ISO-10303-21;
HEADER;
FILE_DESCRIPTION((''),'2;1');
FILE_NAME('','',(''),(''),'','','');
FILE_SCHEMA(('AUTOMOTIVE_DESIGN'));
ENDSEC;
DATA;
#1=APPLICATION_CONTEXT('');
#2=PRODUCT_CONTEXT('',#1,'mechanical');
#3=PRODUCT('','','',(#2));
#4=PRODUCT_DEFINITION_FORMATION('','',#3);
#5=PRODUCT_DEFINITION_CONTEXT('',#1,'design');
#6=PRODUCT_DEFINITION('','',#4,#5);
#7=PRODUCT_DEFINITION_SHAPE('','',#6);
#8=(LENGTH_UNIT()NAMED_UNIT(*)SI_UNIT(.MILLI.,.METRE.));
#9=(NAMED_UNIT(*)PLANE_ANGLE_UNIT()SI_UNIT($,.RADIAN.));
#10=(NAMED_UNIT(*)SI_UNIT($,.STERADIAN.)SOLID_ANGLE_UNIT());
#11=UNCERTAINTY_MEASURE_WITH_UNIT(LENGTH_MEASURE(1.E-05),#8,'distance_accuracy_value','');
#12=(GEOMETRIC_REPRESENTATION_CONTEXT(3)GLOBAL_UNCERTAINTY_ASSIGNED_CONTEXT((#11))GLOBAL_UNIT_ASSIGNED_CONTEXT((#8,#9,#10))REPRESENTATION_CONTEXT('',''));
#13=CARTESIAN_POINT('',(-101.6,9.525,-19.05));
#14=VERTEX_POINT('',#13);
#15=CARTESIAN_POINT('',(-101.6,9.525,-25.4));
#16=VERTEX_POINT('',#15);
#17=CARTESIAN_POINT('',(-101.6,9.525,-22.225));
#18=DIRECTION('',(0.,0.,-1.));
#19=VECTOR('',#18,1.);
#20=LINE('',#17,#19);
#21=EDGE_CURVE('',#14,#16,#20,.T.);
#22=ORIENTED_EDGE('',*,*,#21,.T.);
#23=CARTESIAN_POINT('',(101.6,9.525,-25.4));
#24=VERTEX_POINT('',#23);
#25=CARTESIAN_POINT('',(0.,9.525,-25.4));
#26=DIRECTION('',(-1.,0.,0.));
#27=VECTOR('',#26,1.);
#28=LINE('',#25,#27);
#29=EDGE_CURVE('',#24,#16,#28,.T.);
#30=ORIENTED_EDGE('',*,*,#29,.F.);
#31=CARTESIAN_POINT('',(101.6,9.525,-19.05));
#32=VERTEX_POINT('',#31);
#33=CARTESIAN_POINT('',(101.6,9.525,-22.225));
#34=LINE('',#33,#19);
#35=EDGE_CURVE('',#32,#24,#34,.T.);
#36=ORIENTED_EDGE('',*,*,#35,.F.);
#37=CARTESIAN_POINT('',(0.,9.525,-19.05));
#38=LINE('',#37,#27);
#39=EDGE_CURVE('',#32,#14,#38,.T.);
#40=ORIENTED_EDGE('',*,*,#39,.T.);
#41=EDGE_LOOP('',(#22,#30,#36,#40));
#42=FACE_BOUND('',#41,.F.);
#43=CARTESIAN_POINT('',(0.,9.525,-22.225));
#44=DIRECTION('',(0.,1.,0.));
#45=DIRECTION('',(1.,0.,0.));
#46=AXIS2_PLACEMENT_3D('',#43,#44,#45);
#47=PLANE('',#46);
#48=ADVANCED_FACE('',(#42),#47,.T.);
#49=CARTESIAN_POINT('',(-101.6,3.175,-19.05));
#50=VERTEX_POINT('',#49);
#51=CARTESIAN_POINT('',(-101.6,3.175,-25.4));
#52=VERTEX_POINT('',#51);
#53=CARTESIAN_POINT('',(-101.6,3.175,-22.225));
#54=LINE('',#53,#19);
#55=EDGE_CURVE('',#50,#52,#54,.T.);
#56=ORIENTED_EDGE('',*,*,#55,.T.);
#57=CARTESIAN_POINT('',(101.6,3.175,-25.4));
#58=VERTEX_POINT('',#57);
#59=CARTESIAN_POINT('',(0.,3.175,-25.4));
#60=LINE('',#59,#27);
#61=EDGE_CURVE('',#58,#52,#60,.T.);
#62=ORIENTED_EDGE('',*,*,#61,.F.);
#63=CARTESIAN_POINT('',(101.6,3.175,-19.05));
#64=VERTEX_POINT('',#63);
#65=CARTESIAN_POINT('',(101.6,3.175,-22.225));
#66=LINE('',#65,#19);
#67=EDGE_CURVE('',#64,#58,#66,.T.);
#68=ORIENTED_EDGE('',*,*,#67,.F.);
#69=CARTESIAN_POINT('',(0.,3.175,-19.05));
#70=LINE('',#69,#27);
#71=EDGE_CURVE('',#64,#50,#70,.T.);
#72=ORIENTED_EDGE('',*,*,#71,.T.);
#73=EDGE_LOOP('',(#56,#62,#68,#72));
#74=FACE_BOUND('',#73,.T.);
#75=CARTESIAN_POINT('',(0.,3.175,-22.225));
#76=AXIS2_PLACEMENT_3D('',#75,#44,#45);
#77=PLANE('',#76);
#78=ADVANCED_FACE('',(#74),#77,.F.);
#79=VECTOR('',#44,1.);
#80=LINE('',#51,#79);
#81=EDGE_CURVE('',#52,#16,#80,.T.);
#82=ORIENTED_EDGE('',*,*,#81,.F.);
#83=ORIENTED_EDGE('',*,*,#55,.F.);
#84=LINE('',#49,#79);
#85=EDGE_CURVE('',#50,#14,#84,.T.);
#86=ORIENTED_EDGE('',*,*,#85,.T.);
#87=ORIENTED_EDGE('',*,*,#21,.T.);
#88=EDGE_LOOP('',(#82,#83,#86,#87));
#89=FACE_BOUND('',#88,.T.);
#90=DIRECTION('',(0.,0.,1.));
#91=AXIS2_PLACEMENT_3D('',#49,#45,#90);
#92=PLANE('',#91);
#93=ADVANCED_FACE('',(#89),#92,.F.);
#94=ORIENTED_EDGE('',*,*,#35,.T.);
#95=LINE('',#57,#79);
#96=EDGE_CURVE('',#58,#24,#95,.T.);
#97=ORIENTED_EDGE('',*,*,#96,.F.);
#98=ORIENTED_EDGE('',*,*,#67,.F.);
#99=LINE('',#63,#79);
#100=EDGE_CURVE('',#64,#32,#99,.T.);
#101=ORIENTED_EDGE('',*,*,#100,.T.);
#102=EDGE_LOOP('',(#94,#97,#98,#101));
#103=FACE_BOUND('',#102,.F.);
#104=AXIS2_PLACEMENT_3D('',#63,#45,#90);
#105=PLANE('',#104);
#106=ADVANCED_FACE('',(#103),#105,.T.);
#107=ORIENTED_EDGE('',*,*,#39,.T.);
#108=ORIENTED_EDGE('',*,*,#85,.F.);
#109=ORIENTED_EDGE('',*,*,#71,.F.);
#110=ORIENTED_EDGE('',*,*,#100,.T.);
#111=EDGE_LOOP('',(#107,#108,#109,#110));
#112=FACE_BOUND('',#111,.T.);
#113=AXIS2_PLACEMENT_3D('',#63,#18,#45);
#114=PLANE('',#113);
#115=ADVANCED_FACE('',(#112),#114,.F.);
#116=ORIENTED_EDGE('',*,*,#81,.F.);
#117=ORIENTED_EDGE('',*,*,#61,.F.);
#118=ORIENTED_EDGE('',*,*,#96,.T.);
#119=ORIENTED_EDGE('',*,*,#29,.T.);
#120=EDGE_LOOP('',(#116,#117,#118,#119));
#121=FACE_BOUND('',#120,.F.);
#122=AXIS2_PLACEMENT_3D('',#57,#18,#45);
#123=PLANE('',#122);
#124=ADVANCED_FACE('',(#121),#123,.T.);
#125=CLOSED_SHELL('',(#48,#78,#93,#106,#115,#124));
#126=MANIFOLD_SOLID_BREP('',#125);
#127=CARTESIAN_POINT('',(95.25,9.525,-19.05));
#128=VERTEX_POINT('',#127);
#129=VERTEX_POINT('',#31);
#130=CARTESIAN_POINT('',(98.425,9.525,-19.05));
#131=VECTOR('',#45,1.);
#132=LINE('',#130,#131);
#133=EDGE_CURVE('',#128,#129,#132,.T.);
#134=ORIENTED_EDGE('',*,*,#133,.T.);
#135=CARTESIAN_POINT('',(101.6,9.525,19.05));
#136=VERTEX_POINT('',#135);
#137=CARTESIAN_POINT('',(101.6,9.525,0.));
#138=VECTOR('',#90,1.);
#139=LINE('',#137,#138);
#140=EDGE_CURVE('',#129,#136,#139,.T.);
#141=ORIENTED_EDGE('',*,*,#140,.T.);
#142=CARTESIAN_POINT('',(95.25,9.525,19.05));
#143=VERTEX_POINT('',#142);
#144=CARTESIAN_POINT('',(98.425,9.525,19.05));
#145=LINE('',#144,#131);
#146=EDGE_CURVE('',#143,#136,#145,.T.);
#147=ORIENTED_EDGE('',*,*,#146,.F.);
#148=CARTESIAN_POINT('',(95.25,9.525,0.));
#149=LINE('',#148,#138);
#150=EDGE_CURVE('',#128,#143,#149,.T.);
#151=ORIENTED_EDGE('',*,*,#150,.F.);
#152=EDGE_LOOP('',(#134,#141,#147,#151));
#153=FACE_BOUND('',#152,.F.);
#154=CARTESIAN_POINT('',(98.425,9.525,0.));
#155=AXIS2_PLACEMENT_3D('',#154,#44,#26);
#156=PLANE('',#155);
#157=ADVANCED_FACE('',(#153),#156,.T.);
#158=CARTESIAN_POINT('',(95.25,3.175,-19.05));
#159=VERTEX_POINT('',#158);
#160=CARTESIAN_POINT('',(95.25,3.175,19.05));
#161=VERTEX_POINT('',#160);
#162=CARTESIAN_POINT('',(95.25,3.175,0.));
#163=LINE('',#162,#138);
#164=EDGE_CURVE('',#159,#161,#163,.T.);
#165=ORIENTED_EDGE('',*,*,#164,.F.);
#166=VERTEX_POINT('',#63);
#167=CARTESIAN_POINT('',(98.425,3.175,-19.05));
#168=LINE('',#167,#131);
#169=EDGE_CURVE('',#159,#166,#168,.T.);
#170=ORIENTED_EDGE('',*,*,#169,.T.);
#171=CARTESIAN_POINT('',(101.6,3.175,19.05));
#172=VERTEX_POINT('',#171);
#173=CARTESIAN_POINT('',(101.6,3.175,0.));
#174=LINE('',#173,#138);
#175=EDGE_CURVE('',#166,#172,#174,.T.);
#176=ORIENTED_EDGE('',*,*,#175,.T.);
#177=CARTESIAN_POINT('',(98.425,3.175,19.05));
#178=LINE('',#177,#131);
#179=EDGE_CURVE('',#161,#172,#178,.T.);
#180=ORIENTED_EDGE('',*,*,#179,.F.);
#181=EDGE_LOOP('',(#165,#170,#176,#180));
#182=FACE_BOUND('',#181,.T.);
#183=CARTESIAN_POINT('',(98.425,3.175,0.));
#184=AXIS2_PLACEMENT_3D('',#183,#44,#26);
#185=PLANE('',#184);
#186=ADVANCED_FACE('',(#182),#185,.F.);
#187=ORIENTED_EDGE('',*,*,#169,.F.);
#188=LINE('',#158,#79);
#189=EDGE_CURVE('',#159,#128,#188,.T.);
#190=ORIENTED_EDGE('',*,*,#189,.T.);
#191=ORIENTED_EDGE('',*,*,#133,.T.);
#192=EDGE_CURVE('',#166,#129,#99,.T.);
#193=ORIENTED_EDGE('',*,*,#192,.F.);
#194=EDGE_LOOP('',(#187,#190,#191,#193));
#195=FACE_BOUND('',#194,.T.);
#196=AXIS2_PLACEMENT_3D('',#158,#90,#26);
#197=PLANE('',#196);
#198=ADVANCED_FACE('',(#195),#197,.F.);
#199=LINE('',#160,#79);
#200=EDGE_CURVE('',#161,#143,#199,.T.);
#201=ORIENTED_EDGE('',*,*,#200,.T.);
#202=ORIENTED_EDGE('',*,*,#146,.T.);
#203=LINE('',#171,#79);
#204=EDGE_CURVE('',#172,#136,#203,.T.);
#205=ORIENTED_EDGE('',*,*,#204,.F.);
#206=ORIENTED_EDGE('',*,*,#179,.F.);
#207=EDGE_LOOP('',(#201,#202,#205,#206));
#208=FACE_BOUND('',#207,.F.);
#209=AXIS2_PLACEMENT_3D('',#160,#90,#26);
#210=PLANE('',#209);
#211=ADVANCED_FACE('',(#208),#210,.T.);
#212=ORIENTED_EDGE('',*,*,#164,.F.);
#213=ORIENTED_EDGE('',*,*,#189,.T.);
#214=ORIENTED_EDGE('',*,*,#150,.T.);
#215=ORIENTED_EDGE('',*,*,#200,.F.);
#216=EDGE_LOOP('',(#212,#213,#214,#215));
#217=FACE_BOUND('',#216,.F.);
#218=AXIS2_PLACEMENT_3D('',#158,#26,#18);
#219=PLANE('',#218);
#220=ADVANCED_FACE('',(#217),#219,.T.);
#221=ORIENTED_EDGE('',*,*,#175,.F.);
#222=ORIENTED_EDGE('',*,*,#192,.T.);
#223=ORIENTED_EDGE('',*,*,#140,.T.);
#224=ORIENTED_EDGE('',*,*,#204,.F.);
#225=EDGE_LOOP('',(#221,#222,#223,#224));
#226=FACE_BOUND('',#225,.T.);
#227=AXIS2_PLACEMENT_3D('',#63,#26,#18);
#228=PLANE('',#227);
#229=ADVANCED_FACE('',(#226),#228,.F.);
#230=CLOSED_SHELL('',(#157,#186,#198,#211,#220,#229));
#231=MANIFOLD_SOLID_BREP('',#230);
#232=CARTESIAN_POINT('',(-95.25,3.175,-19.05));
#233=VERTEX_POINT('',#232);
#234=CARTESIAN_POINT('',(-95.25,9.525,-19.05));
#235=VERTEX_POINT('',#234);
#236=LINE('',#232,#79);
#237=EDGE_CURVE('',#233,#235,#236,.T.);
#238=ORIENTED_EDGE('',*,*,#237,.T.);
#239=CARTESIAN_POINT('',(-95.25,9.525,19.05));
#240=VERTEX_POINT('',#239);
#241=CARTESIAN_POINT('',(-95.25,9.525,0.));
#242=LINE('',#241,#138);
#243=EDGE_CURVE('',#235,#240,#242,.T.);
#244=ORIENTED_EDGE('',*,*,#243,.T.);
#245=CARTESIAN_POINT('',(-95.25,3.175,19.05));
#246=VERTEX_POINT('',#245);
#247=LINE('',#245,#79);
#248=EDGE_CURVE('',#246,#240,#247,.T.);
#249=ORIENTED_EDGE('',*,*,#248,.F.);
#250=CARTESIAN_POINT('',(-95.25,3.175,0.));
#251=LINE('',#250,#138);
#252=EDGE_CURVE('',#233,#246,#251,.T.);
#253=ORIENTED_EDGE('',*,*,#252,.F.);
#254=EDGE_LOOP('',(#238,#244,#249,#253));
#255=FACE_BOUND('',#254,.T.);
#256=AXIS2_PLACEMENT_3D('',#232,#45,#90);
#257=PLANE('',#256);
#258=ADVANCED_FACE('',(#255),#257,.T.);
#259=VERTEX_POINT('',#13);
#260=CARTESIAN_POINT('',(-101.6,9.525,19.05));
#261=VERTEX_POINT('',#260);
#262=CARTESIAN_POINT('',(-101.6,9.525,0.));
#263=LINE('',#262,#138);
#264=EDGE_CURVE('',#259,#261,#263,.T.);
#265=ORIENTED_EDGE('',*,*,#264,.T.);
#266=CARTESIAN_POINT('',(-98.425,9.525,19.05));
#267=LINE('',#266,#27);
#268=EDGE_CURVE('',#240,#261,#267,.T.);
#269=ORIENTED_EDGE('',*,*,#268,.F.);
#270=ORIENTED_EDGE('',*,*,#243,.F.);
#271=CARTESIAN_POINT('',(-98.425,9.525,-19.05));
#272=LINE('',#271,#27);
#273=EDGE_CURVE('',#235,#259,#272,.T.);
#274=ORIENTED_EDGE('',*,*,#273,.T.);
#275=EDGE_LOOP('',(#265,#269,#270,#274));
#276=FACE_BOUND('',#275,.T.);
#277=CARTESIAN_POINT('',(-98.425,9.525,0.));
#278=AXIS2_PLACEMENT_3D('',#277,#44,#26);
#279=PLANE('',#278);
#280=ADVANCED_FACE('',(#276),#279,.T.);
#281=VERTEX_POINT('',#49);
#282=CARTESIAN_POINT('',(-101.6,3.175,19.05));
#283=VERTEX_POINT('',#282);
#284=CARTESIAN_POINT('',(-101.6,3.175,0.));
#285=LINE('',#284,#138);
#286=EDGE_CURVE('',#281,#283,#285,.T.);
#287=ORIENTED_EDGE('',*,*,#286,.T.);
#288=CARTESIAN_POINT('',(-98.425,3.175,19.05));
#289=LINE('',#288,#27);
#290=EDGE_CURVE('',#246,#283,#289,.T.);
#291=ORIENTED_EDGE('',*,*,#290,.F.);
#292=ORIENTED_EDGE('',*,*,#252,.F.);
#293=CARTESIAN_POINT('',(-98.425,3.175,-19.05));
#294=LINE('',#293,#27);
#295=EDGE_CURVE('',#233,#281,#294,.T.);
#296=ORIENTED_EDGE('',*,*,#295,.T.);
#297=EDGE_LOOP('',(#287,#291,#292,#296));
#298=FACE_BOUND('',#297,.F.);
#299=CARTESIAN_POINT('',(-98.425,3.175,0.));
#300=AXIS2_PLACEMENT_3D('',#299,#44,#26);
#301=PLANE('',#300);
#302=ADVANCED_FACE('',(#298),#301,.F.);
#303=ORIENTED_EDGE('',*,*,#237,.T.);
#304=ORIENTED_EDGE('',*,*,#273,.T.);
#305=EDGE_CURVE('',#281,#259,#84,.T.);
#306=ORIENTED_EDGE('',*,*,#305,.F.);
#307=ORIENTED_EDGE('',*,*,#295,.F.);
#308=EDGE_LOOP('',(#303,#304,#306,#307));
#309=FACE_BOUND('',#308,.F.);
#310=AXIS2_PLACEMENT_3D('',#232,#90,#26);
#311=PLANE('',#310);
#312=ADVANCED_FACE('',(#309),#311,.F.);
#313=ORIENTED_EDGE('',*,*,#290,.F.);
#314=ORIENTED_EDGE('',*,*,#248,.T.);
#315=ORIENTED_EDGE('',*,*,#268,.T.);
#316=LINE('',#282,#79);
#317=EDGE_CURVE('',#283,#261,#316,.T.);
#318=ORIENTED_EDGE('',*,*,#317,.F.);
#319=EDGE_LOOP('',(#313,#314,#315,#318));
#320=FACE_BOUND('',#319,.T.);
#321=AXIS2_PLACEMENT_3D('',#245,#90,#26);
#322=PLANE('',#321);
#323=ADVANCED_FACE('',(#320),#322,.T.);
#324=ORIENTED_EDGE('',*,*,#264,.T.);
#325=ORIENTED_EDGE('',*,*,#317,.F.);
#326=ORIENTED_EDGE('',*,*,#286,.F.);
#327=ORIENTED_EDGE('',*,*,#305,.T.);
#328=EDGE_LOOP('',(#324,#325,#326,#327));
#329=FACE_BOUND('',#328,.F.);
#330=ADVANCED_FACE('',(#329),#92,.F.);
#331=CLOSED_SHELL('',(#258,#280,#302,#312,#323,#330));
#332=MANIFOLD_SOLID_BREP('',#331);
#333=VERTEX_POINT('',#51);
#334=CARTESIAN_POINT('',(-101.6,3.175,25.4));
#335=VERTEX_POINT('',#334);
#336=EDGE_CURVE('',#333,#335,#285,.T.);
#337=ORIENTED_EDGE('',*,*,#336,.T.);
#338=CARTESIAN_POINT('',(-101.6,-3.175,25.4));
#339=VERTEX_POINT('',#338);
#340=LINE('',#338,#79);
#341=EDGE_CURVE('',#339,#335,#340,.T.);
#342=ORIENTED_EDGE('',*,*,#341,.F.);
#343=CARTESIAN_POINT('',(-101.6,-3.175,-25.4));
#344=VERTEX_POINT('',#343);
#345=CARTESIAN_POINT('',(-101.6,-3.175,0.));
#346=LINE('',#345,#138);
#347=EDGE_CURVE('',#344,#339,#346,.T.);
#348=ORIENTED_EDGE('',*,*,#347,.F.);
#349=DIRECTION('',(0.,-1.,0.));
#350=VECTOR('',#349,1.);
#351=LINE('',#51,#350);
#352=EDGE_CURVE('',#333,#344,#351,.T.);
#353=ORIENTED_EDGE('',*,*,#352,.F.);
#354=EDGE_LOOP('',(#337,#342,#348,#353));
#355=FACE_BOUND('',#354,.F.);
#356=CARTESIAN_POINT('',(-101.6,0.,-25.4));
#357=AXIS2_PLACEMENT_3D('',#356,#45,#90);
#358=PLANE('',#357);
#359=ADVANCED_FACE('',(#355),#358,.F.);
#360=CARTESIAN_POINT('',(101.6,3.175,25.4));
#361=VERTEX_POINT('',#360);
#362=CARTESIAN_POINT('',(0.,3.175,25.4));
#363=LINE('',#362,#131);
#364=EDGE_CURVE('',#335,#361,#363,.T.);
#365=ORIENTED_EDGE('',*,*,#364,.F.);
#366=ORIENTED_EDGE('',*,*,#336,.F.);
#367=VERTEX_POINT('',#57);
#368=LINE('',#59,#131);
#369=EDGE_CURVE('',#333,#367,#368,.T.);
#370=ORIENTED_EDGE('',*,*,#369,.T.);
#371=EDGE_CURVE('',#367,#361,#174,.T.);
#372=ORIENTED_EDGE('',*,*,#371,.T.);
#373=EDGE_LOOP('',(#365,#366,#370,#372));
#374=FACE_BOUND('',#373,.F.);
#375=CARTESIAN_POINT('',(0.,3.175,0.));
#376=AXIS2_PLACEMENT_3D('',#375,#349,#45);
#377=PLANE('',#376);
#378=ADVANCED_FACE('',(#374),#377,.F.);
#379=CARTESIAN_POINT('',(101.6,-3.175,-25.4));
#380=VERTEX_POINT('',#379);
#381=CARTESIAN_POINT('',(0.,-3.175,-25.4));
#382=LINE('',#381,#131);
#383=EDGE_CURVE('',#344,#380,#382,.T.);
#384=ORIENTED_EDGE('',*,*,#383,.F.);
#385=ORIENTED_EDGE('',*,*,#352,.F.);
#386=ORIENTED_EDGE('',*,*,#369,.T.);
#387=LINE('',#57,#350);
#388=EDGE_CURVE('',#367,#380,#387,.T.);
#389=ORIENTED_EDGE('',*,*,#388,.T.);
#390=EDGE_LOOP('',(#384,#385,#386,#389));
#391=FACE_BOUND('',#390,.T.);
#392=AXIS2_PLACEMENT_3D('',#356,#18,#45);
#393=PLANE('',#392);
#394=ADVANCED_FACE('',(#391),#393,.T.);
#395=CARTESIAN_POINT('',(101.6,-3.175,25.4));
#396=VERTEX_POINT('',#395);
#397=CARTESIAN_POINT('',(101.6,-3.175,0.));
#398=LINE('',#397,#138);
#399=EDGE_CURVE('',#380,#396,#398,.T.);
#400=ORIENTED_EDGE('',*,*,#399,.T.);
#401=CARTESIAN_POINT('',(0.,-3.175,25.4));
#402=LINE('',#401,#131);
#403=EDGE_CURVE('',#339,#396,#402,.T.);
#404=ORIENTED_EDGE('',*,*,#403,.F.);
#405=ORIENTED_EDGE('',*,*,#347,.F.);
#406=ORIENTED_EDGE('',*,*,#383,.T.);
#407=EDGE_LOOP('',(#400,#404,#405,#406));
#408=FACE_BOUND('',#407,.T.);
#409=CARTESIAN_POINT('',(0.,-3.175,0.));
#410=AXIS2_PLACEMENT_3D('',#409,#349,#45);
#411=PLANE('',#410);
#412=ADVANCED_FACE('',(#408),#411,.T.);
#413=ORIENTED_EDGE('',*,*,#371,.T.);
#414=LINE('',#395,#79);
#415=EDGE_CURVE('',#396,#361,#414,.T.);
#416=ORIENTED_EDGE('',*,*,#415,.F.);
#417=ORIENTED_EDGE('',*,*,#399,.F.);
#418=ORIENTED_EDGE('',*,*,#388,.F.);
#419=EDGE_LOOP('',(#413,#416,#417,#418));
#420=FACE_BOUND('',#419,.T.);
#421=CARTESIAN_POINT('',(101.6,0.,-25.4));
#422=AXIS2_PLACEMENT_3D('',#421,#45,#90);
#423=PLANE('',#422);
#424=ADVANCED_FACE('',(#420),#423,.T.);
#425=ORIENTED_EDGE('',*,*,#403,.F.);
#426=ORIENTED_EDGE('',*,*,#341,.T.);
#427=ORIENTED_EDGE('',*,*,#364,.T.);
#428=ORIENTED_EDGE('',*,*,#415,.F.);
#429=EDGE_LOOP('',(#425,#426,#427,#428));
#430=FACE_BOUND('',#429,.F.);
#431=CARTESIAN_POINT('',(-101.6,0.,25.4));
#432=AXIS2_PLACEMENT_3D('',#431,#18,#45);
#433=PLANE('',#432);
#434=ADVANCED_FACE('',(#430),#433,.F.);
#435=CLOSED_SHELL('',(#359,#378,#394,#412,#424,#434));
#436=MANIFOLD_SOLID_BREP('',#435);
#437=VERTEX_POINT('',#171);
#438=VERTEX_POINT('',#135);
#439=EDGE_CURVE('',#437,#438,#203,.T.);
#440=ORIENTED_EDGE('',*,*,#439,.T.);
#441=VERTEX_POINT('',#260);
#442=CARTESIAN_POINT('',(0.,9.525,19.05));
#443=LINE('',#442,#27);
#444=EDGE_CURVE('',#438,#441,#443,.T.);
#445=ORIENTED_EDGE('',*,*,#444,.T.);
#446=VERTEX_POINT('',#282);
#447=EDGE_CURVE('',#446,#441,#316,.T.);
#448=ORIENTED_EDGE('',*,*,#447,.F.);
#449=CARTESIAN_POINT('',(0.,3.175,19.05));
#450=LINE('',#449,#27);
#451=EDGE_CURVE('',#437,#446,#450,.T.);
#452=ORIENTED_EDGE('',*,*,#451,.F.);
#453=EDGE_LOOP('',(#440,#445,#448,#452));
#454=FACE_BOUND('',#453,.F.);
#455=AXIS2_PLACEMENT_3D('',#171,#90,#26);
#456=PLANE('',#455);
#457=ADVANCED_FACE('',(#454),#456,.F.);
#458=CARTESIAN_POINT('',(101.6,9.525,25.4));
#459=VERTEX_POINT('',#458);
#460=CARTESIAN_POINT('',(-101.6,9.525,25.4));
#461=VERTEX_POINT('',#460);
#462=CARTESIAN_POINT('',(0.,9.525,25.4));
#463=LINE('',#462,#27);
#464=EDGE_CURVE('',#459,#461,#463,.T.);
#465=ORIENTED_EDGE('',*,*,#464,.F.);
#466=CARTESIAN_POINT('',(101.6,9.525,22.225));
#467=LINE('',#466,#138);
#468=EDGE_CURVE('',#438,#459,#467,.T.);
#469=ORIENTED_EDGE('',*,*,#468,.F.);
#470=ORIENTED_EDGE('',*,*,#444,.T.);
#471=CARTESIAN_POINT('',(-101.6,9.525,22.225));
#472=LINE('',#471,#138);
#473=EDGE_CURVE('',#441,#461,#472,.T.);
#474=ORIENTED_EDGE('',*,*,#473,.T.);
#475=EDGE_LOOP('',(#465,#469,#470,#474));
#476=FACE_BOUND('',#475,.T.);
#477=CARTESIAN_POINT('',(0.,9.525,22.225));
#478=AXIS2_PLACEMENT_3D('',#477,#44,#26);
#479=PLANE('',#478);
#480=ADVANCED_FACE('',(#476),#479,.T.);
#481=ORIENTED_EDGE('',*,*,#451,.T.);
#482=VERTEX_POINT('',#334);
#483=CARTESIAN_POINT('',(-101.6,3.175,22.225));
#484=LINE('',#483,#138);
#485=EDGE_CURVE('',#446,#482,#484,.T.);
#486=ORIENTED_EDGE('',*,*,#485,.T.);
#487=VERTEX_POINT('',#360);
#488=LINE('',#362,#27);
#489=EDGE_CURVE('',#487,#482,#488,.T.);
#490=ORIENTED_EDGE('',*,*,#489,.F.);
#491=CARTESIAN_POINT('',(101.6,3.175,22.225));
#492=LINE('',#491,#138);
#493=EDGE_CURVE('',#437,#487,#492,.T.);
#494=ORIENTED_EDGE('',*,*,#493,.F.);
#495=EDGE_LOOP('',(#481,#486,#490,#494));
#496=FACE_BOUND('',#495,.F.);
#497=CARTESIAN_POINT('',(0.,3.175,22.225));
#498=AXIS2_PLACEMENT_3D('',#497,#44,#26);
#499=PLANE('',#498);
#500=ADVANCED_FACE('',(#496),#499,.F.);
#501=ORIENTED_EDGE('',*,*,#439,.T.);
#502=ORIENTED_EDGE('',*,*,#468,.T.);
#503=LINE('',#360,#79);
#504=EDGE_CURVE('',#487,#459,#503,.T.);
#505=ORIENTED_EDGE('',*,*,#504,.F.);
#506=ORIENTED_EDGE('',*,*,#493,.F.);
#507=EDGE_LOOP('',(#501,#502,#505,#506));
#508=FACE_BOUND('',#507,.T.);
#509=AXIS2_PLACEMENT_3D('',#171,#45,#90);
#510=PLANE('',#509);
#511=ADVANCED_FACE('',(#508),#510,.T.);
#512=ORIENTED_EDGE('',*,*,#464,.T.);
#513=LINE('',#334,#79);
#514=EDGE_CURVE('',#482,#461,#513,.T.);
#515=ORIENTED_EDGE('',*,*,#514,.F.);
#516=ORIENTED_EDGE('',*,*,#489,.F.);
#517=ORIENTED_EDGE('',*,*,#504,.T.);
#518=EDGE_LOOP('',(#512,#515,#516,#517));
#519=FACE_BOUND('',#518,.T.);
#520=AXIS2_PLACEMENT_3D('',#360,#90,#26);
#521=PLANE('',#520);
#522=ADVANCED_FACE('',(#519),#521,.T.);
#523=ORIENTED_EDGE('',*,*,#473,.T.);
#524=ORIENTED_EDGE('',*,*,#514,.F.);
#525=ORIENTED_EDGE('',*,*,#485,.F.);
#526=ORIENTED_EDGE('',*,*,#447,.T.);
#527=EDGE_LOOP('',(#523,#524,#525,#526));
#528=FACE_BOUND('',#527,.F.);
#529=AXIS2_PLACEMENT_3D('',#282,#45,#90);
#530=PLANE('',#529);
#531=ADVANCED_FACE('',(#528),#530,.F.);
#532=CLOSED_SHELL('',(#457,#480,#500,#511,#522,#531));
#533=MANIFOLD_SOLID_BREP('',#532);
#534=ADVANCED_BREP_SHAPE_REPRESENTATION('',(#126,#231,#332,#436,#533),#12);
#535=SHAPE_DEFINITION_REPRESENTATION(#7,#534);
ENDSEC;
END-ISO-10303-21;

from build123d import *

# Parameters (mm, degrees)
F0_W     = 203.2
F0_H     = 50.8
F1_DEPTH = 3.175
F2_W     = 203.2
F2_H     = 6.35
F3_DEPTH = 6.35
F5_W     = 6.35
F5_H     = 38.1
F6_DEPTH = 6.35


with BuildPart() as f1:
    # F0 (on Front) → F1 (new body, symmetric)
    with BuildSketch(Plane.XZ):
        Rectangle(F0_W, F0_H)
    extrude(amount=F1_DEPTH, both=True)


with BuildPart() as f3:
    # F2 (on face) → F3 (new body)
    with BuildSketch(Plane(origin=(0, 3.175, 0), x_dir=(-1, 0, 0), z_dir=(0, 1, 0))):
        with Locations((0, 22.225)):
            Rectangle(F2_W, F2_H)
    extrude(amount=F3_DEPTH)


with BuildPart() as f4_1:
    # F4: instance of F3
    add(f3.part.mirror(Plane.XY))


with BuildPart() as f6:
    # F5 (on face) → F6 (new body)
    with BuildSketch(Plane(origin=(0, 3.175, 0), x_dir=(-1, 0, 0), z_dir=(0, 1, 0))):
        with Locations((98.425, 0)):
            Rectangle(F5_W, F5_H)
    extrude(amount=F6_DEPTH)


with BuildPart() as f7_1:
    # F7: instance of F6
    add(f6.part.mirror(Plane.YZ))


solid = Compound([f1.part, f3.part, f4_1.part, f6.part, f7_1.part])
